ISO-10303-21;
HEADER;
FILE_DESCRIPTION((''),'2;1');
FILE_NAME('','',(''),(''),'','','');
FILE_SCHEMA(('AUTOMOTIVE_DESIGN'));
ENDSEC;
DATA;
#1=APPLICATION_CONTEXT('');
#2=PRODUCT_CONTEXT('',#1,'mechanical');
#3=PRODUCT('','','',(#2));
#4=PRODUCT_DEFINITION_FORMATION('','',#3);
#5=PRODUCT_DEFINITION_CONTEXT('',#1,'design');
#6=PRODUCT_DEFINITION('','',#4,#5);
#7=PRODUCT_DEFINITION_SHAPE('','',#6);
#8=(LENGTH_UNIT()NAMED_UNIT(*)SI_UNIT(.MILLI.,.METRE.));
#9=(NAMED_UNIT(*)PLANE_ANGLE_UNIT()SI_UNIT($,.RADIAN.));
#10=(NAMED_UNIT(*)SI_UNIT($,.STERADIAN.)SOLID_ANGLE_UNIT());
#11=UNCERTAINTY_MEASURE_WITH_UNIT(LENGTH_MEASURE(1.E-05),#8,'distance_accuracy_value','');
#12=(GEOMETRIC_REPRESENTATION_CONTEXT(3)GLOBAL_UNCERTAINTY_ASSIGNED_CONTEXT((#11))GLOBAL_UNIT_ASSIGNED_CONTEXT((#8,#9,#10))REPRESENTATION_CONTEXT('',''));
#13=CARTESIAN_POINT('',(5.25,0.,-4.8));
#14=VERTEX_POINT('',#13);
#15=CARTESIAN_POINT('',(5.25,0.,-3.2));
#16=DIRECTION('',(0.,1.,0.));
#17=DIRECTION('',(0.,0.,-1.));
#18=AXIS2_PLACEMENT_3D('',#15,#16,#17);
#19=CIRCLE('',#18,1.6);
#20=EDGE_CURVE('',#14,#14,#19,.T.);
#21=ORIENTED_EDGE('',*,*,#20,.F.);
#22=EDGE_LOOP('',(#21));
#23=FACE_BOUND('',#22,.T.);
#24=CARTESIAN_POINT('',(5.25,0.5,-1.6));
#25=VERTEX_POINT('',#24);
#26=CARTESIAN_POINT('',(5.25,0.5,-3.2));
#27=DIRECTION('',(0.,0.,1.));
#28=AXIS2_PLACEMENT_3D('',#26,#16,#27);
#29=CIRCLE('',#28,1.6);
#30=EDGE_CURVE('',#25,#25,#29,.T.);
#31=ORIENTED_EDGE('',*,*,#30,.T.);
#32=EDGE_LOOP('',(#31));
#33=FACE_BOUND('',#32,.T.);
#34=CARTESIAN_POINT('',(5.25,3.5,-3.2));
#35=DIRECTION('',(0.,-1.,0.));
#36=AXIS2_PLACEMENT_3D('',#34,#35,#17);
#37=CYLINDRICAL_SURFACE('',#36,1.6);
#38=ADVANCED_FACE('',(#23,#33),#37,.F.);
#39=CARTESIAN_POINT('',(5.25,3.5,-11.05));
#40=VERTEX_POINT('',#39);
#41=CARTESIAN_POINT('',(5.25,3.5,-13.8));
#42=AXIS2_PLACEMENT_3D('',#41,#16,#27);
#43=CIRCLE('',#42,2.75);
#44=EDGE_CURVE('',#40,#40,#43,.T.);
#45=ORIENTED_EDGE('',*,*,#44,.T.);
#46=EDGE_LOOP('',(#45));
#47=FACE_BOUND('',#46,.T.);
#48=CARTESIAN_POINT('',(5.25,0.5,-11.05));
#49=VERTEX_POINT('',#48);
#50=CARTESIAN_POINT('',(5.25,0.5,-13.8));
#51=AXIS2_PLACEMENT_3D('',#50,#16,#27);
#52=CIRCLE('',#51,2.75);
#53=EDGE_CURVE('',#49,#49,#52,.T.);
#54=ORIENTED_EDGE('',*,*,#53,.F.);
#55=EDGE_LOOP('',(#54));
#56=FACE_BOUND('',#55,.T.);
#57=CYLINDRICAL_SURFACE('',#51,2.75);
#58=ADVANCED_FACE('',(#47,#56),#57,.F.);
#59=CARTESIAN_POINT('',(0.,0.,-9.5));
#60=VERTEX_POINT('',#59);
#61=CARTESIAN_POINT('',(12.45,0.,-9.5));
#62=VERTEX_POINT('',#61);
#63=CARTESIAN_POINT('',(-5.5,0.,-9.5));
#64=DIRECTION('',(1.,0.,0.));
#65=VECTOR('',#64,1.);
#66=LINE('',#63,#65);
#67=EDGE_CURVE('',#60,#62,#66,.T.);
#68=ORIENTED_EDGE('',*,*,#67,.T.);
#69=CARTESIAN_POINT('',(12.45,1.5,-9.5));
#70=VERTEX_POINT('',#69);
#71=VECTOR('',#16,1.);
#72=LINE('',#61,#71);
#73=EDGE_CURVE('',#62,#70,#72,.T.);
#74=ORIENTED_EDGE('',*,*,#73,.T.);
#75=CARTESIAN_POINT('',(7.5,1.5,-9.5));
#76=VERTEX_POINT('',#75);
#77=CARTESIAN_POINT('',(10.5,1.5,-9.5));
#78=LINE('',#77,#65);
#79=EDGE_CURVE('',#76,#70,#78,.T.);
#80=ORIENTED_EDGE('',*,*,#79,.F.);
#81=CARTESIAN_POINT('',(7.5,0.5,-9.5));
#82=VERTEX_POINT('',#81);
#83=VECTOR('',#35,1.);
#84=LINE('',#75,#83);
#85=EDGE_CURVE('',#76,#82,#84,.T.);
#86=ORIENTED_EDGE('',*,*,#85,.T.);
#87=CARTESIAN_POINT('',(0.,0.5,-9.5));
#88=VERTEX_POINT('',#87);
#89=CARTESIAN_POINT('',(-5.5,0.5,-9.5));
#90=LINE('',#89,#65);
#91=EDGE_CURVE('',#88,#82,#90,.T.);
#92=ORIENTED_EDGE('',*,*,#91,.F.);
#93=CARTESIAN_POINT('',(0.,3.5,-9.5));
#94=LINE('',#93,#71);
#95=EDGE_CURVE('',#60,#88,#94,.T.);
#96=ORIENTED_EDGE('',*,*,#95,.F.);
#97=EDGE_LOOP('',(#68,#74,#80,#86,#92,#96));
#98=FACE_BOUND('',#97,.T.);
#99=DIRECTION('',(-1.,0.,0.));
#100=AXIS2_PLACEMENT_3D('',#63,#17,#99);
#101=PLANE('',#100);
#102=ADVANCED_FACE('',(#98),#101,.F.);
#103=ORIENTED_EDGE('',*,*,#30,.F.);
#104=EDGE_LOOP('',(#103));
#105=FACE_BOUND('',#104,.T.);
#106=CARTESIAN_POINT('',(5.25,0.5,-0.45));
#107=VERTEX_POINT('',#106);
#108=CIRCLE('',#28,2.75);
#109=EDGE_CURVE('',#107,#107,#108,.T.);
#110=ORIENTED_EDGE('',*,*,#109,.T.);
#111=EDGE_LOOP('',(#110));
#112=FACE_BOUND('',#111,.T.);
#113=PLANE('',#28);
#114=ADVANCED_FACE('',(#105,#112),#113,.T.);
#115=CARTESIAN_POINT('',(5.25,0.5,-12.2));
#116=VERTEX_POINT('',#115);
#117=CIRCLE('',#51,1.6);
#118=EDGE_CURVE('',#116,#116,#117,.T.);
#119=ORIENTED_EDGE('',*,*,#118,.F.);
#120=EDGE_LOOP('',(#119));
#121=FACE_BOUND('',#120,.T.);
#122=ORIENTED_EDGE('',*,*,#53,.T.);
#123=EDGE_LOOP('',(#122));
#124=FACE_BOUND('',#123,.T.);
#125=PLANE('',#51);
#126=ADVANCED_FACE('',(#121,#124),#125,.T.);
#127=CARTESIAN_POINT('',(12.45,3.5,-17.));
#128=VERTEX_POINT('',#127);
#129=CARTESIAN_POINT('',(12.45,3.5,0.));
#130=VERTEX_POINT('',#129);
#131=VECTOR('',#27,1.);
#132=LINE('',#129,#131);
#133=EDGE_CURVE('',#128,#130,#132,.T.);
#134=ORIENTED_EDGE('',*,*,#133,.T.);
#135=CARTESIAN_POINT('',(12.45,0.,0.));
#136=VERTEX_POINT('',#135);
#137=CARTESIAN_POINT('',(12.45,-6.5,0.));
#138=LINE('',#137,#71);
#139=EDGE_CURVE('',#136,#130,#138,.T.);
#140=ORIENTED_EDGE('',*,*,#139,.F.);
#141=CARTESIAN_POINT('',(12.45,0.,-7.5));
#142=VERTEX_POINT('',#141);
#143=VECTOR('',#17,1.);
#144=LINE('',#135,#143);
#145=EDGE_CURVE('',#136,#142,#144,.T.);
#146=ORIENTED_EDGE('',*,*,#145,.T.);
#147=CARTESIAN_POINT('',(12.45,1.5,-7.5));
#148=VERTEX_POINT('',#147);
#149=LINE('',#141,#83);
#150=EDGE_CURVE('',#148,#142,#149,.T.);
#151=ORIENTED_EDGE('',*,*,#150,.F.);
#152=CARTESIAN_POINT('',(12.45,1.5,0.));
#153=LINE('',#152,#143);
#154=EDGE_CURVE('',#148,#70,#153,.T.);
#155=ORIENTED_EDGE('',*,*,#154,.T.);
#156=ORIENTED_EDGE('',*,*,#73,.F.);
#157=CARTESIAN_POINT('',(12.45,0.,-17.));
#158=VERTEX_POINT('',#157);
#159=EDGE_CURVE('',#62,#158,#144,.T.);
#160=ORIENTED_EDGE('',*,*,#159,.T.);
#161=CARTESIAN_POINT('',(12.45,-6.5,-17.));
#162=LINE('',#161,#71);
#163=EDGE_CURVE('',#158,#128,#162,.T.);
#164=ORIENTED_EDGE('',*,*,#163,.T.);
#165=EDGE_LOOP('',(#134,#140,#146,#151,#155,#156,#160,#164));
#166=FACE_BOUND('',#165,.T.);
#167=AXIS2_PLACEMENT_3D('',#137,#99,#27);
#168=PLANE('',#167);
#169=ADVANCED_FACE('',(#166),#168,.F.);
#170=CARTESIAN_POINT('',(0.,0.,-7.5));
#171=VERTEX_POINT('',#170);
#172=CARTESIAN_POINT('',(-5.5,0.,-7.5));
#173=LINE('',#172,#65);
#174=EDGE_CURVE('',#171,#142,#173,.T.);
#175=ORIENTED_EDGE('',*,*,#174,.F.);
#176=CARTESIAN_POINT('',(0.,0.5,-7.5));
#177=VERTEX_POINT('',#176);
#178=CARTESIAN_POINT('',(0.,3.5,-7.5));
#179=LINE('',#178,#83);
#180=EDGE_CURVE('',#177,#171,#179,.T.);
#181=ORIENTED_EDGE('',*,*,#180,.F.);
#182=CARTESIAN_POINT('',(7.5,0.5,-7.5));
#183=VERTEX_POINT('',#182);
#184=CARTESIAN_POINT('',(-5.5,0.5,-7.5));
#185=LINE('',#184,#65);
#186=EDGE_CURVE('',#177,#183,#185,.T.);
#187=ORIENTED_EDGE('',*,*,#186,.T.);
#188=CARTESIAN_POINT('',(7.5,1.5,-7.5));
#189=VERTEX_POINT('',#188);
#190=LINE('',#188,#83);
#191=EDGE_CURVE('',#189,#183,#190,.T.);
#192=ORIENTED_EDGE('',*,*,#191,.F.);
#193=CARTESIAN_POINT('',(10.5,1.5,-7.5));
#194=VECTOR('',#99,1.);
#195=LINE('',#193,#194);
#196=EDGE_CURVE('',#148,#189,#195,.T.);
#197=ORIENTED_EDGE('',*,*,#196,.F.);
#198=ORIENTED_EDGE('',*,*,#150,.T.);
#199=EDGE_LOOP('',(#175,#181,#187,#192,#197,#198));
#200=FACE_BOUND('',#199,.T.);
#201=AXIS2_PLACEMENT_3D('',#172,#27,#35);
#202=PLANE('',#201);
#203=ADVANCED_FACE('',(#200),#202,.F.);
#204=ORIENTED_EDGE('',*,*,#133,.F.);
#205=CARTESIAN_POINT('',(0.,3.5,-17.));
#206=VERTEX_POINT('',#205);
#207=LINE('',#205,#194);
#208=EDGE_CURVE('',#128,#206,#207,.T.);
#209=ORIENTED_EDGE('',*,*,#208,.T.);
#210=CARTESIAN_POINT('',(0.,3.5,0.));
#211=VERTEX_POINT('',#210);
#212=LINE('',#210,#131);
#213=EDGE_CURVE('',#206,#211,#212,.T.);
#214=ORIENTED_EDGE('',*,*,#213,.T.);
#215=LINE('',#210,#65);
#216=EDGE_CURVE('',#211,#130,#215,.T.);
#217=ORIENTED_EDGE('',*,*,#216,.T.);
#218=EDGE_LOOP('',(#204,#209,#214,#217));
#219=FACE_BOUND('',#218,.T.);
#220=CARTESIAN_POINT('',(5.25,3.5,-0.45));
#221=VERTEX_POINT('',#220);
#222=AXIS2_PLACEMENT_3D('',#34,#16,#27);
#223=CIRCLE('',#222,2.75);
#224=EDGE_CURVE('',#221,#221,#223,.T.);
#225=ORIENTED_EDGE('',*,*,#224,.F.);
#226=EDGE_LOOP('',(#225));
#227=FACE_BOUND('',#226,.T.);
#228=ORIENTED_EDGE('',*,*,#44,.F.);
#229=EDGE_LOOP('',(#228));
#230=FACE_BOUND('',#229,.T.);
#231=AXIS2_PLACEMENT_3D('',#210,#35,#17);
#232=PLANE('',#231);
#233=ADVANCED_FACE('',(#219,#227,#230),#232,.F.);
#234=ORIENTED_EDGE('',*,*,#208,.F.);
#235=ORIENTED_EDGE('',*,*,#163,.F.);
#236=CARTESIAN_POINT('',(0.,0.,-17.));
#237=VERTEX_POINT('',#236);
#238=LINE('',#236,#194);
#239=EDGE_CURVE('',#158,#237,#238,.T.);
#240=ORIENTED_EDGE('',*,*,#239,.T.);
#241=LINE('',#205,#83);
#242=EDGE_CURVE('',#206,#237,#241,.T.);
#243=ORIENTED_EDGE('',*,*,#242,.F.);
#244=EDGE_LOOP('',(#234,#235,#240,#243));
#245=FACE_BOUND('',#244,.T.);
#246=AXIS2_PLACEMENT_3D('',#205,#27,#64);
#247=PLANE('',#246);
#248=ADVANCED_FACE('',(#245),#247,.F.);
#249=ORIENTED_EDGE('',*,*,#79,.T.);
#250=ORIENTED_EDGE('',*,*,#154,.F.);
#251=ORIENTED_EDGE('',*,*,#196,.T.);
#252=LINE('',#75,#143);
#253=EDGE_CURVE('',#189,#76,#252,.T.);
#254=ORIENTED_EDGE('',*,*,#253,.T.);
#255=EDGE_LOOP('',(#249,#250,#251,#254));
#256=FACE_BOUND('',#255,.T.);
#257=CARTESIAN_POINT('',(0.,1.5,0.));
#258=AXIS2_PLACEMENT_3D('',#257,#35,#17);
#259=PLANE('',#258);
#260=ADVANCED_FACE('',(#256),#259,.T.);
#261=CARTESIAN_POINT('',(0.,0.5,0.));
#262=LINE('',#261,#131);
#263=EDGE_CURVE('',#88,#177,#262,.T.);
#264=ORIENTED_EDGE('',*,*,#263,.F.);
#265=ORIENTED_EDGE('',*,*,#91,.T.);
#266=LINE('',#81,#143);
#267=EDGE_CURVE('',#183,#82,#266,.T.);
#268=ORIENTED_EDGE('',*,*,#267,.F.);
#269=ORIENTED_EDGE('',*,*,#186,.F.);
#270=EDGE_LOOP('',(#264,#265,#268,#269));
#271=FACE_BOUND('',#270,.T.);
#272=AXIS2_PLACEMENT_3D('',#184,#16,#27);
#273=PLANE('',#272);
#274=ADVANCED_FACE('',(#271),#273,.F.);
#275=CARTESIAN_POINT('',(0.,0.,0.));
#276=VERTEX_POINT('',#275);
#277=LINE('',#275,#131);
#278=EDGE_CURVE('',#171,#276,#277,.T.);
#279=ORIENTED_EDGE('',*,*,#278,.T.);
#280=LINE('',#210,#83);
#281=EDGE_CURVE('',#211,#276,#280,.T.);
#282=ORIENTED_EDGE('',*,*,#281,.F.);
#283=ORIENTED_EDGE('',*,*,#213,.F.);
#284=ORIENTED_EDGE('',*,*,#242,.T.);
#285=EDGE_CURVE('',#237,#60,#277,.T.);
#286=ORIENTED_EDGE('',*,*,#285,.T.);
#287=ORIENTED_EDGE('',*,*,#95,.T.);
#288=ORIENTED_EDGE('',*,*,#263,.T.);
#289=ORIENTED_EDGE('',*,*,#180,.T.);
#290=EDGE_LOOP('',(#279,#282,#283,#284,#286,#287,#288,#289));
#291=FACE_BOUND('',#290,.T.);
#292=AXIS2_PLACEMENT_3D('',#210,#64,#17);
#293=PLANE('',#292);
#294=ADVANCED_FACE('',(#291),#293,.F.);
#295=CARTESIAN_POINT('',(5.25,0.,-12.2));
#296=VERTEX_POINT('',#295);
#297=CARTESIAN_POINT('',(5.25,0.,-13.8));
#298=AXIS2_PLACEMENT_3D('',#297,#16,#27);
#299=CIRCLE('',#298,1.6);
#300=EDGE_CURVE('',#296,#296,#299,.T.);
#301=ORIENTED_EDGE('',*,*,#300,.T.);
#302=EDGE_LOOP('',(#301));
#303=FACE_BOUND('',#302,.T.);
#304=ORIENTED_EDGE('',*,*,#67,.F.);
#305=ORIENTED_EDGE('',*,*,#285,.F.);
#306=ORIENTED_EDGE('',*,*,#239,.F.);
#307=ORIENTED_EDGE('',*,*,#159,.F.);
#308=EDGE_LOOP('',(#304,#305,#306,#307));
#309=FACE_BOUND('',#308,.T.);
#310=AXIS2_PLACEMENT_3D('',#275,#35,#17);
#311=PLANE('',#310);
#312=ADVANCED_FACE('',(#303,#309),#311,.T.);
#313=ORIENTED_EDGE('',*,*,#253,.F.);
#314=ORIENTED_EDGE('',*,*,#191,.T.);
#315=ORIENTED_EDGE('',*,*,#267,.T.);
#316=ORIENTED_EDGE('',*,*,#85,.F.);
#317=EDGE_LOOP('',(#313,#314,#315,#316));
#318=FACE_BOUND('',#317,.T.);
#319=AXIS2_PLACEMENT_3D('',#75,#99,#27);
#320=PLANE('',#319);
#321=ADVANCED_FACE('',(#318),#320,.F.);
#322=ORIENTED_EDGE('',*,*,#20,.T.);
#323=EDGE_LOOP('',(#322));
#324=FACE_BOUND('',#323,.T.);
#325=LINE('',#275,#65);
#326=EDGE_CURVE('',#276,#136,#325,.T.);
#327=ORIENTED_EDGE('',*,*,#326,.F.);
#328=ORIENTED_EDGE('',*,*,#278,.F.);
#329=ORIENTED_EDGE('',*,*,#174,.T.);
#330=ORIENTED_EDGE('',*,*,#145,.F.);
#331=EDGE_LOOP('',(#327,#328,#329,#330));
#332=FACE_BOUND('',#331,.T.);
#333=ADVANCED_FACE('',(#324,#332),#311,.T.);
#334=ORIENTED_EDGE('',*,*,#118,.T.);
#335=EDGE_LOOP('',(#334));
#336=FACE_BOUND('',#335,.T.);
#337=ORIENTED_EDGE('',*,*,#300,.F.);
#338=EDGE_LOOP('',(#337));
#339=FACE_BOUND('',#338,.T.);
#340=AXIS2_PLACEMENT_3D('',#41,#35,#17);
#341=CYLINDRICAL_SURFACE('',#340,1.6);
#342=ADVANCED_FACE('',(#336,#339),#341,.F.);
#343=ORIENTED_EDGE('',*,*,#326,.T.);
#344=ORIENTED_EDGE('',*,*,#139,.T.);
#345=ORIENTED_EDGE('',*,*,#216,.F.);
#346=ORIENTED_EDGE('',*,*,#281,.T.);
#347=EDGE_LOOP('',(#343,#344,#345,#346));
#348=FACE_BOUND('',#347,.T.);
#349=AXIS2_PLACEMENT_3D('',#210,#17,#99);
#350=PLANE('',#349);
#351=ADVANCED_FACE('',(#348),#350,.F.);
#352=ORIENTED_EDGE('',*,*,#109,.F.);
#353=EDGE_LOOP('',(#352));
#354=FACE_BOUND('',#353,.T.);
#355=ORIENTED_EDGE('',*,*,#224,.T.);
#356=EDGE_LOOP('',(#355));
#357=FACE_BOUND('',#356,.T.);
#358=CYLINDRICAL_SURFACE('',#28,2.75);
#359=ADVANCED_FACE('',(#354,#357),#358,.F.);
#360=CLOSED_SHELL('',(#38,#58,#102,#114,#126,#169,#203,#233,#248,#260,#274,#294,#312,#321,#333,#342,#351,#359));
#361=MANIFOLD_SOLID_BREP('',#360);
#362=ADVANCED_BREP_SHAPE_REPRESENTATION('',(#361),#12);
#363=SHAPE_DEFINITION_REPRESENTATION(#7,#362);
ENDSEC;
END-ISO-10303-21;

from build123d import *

# Parameters (mm, degrees)
CROQUIS1_W              = 10.5
CROQUIS1_H              = 17
CROQUIS1_R              = 1.6
SALIENTE_EXTRUIR1_DEPTH = 3.5
CROQUIS2_R              = 2.75
CORTAR_EXTRUIR1_DEPTH   = 3
CROQUIS3_W              = 2
CROQUIS3_H              = 0.5
CORTAR_EXTRUIR2_DEPTH   = 16
CROQUIS4_W              = 3
CROQUIS4_H              = 2
CORTAR_EXTRUIR3_DEPTH   = 1
SALIENTE_EXTRUIR2_DEPTH = 10
CROQUIS6_W              = 8.05
CROQUIS6_H              = 17
CORTAR_EXTRUIR4_DEPTH   = 10


with BuildPart() as part:
    # Croquis1 → Saliente-Extruir1 (new body)
    with BuildSketch(Plane(origin=(0, 0, 0), x_dir=(1, 0, 0), z_dir=(0, 1, 0))):
        with Locations((5.25, 8.5)):
            Rectangle(CROQUIS1_W, CROQUIS1_H)
        with Locations(Location((5.25, 13.8, 0), (0, 0, 270))):
            Circle(CROQUIS1_R, mode=Mode.SUBTRACT)
        with Locations(Location((5.25, 3.2, 0), (0, 0, 90))):
            Circle(CROQUIS1_R, mode=Mode.SUBTRACT)
    extrude(amount=SALIENTE_EXTRUIR1_DEPTH)

    # Croquis2 → Cortar-Extruir1 (cut)
    with BuildSketch(Plane(origin=(0, 3.5, 0), x_dir=(1, 0, 0), z_dir=(0, 1, 0))):
        with Locations(Location((5.25, 13.8, 0), (0, 0, 270))):
            Circle(CROQUIS2_R)
        with Locations(Location((5.25, 3.2, 0), (0, 0, 270))):
            Circle(CROQUIS2_R)
    extrude(amount=-CORTAR_EXTRUIR1_DEPTH, mode=Mode.SUBTRACT)

    # Croquis3 → Cortar-Extruir2 (cut)
    with BuildSketch(Plane(origin=(10.5, 0, 0), x_dir=(0, 0, -1), z_dir=(1, 0, 0))):
        with Locations((8.5, 0.25)):
            Rectangle(CROQUIS3_W, CROQUIS3_H)
    extrude(amount=-CORTAR_EXTRUIR2_DEPTH, mode=Mode.SUBTRACT)

    # Croquis4 → Cortar-Extruir3 (cut)
    with BuildSketch(Plane.XZ.offset(-0.5)):
        with Locations((9, -8.5)):
            Rectangle(CROQUIS4_W, CROQUIS4_H)
    extrude(amount=-CORTAR_EXTRUIR3_DEPTH, mode=Mode.SUBTRACT)

    # Croquis5 → Saliente-Extruir2 (add)
    with BuildSketch(Plane(origin=(10.5, 0, 0), x_dir=(0, 0, -1), z_dir=(1, 0, 0))):
        Polygon((7.5, 1.5), (9.5, 1.5), (9.5, 0), (17, 0), (17, 3.5), (0, 3.5), (0, 0), (7.5, 0), align=None)
    extrude(amount=SALIENTE_EXTRUIR2_DEPTH)

    # Croquis6 → Cortar-Extruir4 (cut)
    with BuildSketch(Plane(origin=(0, 3.5, 0), x_dir=(1, 0, 0), z_dir=(0, 1, 0))):
        with Locations((16.475, 8.5)):
            Rectangle(CROQUIS6_W, CROQUIS6_H)
    extrude(amount=-CORTAR_EXTRUIR4_DEPTH, mode=Mode.SUBTRACT)


solid = part.part
